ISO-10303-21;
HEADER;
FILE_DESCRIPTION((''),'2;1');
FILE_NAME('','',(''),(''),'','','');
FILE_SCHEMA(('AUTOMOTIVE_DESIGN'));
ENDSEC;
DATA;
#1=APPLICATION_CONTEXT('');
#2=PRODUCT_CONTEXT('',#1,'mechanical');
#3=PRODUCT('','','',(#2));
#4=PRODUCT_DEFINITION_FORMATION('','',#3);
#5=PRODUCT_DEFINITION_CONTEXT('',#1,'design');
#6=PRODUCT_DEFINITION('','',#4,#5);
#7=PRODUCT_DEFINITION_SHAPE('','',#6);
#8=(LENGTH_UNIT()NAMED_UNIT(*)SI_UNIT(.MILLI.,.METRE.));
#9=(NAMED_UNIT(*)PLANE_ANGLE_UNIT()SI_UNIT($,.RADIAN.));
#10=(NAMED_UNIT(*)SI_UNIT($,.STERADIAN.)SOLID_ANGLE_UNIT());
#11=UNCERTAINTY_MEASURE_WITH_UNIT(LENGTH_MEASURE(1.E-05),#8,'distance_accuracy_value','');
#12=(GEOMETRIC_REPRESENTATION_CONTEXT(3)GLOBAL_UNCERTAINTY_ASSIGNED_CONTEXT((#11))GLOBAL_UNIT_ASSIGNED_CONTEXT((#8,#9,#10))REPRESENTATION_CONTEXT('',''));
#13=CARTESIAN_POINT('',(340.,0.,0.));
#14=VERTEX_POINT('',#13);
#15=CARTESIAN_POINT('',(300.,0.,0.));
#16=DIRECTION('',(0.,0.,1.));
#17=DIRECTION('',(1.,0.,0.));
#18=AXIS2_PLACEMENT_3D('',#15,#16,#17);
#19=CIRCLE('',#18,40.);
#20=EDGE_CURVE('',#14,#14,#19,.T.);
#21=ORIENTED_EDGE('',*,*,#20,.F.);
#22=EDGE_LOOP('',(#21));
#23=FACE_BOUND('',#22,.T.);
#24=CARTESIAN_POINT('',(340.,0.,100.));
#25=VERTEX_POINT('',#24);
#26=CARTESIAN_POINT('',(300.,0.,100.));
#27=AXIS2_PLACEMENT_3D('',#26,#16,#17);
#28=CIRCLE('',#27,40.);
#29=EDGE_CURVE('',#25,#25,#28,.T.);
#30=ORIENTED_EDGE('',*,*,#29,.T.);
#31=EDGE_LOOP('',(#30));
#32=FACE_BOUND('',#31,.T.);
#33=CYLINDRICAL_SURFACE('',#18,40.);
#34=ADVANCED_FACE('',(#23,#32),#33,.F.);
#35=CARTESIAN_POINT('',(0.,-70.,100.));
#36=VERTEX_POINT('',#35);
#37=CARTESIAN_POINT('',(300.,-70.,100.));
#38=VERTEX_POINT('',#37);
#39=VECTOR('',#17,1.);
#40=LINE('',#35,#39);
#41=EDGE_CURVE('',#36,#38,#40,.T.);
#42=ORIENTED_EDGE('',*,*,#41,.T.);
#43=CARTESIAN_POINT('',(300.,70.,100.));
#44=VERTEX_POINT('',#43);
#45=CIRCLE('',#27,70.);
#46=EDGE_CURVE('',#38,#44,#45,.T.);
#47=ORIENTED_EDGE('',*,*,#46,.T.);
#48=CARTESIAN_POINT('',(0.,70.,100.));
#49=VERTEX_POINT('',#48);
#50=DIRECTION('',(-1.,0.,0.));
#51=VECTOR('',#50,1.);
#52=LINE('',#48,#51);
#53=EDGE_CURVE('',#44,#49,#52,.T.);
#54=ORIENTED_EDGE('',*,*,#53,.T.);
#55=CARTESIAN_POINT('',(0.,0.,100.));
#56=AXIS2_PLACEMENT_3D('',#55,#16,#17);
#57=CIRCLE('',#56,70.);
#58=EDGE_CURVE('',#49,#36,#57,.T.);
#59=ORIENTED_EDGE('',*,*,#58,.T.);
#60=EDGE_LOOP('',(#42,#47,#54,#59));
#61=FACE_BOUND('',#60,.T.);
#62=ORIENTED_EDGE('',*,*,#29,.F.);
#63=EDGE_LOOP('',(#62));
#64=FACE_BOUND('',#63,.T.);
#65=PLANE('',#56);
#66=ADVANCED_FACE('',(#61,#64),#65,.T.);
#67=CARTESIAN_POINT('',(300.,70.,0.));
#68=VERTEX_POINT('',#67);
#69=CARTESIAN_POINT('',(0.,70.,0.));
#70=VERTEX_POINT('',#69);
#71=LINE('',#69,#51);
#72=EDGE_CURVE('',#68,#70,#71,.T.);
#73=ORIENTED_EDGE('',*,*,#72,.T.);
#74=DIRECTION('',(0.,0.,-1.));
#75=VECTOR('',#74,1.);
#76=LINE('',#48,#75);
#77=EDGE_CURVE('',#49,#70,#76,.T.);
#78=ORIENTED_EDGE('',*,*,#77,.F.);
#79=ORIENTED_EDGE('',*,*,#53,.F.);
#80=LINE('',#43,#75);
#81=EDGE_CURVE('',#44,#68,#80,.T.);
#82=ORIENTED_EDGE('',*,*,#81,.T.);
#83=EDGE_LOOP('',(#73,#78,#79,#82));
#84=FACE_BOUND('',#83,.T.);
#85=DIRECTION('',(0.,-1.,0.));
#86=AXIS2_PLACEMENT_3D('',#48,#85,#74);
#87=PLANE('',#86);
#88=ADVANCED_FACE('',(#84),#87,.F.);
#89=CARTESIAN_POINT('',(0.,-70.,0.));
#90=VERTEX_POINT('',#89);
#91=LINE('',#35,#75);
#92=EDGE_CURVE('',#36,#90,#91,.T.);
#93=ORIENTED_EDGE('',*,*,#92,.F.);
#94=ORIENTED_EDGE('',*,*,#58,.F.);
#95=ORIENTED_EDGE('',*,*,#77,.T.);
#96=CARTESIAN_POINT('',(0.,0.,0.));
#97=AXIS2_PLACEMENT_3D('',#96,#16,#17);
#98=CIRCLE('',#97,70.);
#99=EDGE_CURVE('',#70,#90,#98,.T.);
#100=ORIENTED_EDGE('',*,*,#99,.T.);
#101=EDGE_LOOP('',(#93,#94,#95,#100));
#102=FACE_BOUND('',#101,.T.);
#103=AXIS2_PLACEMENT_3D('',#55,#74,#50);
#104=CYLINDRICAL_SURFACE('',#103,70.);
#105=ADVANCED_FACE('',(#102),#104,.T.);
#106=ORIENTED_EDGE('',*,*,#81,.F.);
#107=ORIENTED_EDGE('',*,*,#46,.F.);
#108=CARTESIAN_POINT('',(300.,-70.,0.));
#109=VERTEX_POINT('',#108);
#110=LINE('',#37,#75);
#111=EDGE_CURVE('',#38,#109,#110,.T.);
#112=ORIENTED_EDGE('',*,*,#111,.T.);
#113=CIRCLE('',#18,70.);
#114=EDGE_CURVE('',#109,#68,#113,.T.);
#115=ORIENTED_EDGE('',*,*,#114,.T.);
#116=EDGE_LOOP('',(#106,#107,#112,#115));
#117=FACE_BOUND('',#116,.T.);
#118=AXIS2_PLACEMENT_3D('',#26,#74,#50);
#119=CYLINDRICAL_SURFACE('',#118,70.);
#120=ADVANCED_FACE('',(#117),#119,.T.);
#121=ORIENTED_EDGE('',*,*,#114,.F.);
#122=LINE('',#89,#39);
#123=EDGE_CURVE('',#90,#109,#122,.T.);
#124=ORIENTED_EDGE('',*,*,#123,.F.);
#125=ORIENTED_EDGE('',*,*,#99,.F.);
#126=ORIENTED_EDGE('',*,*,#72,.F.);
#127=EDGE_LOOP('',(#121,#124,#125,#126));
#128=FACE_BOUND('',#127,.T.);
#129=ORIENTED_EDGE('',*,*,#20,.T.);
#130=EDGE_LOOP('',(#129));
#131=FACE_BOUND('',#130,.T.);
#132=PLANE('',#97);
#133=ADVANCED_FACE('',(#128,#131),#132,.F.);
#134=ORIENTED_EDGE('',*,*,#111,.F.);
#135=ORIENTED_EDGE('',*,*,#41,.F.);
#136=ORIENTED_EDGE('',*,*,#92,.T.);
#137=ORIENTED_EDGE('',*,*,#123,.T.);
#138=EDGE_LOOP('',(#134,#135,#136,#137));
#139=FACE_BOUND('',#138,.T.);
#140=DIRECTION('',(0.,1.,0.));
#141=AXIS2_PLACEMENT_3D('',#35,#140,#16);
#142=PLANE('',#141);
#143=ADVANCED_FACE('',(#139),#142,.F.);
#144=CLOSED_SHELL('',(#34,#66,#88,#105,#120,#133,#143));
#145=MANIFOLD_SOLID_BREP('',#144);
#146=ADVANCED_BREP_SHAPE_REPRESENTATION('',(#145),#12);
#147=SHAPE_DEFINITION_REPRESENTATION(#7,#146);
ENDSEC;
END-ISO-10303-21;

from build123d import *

# Parameters (mm, degrees)
DODANIE_WYCI_GNI_CIE1_DEPTH = 100
SZKIC2_R                    = 40
WYTNIJ_WYCI_GNI_CIE1_DEPTH  = 101


with BuildPart() as part:
    # Szkic1 → Dodanie-wyciągnięcie1 (new body)
    with BuildSketch(Plane.XY):
        with BuildLine():
            Line((0, 70), (300, 70))
            ThreePointArc((300, 70), (370, 0), (300, -70))
            Line((300, -70), (0, -70))
            ThreePointArc((0, -70), (-70, 0), (0, 70))
        make_face()
    extrude(amount=DODANIE_WYCI_GNI_CIE1_DEPTH)

    # Szkic2 → Wytnij-wyciągnięcie1 (cut, through all)
    with BuildSketch(Plane.XY.offset(100)):
        with Locations((300, 0)):
            Circle(SZKIC2_R)
    extrude(amount=-WYTNIJ_WYCI_GNI_CIE1_DEPTH, mode=Mode.SUBTRACT)


solid = part.part
